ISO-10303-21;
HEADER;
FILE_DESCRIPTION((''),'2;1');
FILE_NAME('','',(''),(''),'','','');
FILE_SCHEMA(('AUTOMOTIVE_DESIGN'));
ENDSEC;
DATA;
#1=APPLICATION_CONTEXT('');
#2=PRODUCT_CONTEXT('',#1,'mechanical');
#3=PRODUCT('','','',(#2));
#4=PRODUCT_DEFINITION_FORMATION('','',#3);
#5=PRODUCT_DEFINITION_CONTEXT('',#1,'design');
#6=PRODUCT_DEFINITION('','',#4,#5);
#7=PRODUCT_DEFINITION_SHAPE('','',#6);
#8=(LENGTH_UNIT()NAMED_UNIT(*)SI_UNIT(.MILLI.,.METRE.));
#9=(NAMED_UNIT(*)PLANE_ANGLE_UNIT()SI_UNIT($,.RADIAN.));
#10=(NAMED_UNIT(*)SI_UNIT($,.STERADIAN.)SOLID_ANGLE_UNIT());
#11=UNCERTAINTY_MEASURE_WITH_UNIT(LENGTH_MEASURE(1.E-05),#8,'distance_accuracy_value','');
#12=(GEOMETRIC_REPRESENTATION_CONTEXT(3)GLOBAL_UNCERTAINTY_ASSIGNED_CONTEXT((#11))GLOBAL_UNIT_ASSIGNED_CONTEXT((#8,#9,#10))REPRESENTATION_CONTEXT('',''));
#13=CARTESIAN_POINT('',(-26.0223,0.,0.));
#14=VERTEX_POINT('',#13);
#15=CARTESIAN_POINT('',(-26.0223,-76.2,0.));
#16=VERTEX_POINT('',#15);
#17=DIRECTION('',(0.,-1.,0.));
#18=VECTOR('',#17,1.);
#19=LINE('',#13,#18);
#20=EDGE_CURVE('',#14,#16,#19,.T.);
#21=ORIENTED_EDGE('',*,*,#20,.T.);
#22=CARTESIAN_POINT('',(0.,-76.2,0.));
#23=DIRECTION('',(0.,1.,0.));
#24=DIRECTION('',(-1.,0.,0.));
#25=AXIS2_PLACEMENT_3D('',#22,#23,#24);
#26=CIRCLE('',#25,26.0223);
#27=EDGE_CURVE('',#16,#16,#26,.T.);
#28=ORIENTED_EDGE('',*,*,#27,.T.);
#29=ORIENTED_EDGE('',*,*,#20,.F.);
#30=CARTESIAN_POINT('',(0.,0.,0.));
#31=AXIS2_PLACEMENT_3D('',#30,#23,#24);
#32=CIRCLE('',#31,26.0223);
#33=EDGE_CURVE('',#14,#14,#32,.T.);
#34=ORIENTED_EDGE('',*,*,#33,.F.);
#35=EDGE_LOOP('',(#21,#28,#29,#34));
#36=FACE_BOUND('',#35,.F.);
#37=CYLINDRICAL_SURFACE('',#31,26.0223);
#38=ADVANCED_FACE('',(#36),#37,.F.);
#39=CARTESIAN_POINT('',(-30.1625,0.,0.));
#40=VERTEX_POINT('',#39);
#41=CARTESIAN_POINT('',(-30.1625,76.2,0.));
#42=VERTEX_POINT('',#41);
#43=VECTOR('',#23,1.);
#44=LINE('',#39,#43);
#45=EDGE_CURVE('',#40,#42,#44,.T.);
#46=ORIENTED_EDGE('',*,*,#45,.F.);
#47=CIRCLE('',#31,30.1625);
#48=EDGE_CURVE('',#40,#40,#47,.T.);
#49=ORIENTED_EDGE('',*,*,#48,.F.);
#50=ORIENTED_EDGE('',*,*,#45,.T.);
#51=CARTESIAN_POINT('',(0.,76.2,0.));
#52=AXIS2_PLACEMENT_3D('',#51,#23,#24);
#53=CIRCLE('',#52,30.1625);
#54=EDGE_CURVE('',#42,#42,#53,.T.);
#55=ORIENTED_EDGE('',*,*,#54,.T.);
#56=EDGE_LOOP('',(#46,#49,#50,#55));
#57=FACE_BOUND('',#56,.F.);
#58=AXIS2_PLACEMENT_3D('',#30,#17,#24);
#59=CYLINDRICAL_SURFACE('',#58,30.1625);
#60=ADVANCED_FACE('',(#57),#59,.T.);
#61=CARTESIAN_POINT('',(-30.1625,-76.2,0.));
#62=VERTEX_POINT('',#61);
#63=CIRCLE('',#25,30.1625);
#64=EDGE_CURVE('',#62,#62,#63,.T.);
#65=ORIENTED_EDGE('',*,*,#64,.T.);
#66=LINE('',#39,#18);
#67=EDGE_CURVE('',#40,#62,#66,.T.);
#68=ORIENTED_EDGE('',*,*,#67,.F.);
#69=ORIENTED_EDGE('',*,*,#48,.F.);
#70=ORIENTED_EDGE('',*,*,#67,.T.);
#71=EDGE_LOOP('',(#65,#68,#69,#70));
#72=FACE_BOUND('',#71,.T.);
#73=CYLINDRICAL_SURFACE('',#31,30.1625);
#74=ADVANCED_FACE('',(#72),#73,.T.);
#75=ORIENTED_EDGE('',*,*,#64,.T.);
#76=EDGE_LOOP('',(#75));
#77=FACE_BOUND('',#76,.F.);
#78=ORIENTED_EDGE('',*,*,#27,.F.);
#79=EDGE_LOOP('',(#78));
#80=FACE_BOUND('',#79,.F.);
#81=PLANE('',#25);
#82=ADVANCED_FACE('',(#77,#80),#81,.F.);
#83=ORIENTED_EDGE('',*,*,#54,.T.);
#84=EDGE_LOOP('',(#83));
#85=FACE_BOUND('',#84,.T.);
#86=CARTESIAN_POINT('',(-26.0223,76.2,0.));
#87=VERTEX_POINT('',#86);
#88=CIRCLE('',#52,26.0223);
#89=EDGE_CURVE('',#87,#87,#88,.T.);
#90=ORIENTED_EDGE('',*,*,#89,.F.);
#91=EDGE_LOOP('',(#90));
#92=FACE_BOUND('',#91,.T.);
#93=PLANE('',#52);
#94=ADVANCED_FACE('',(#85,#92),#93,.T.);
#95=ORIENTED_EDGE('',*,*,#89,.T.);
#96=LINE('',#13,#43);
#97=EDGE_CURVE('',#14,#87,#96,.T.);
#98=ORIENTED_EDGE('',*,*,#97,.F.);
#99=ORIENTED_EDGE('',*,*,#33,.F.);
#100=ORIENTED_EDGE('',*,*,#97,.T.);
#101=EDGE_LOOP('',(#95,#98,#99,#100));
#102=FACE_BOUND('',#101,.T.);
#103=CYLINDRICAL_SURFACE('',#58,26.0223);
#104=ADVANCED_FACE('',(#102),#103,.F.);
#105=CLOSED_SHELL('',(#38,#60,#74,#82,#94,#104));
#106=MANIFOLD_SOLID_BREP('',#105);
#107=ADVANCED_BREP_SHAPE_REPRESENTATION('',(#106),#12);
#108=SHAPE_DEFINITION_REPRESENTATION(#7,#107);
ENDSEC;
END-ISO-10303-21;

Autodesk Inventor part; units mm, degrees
ref_plane "YZ Plane" through (0, 0, 0) normal (1, 0, 0) x (0, 1, 0)
ref_plane "XZ Plane" through (0, 0, 0) normal (0, 1, 0) x (-1, 0, 0)
ref_plane "XY Plane" through (0, 0, 0) normal (0, 0, 1) x (1, 0, 0)
sketch "Sketch1" plane through (0, 0, 0) normal (0, 1, 0) x (-1, 0, 0)
  circle A0 centre (0, 0) radius 30.1625
  circle A1 centre (0, 0) radius 26.0223
  dimension "d0" = 60.325
  dimension "d1" = 52.0446
extrude "Extrusion1" add sketch "Sketch1" along normal mid plane 152.4
properties part number "PVC Pipe 2 IN D 6 IN L" material "PVC-Piping"
